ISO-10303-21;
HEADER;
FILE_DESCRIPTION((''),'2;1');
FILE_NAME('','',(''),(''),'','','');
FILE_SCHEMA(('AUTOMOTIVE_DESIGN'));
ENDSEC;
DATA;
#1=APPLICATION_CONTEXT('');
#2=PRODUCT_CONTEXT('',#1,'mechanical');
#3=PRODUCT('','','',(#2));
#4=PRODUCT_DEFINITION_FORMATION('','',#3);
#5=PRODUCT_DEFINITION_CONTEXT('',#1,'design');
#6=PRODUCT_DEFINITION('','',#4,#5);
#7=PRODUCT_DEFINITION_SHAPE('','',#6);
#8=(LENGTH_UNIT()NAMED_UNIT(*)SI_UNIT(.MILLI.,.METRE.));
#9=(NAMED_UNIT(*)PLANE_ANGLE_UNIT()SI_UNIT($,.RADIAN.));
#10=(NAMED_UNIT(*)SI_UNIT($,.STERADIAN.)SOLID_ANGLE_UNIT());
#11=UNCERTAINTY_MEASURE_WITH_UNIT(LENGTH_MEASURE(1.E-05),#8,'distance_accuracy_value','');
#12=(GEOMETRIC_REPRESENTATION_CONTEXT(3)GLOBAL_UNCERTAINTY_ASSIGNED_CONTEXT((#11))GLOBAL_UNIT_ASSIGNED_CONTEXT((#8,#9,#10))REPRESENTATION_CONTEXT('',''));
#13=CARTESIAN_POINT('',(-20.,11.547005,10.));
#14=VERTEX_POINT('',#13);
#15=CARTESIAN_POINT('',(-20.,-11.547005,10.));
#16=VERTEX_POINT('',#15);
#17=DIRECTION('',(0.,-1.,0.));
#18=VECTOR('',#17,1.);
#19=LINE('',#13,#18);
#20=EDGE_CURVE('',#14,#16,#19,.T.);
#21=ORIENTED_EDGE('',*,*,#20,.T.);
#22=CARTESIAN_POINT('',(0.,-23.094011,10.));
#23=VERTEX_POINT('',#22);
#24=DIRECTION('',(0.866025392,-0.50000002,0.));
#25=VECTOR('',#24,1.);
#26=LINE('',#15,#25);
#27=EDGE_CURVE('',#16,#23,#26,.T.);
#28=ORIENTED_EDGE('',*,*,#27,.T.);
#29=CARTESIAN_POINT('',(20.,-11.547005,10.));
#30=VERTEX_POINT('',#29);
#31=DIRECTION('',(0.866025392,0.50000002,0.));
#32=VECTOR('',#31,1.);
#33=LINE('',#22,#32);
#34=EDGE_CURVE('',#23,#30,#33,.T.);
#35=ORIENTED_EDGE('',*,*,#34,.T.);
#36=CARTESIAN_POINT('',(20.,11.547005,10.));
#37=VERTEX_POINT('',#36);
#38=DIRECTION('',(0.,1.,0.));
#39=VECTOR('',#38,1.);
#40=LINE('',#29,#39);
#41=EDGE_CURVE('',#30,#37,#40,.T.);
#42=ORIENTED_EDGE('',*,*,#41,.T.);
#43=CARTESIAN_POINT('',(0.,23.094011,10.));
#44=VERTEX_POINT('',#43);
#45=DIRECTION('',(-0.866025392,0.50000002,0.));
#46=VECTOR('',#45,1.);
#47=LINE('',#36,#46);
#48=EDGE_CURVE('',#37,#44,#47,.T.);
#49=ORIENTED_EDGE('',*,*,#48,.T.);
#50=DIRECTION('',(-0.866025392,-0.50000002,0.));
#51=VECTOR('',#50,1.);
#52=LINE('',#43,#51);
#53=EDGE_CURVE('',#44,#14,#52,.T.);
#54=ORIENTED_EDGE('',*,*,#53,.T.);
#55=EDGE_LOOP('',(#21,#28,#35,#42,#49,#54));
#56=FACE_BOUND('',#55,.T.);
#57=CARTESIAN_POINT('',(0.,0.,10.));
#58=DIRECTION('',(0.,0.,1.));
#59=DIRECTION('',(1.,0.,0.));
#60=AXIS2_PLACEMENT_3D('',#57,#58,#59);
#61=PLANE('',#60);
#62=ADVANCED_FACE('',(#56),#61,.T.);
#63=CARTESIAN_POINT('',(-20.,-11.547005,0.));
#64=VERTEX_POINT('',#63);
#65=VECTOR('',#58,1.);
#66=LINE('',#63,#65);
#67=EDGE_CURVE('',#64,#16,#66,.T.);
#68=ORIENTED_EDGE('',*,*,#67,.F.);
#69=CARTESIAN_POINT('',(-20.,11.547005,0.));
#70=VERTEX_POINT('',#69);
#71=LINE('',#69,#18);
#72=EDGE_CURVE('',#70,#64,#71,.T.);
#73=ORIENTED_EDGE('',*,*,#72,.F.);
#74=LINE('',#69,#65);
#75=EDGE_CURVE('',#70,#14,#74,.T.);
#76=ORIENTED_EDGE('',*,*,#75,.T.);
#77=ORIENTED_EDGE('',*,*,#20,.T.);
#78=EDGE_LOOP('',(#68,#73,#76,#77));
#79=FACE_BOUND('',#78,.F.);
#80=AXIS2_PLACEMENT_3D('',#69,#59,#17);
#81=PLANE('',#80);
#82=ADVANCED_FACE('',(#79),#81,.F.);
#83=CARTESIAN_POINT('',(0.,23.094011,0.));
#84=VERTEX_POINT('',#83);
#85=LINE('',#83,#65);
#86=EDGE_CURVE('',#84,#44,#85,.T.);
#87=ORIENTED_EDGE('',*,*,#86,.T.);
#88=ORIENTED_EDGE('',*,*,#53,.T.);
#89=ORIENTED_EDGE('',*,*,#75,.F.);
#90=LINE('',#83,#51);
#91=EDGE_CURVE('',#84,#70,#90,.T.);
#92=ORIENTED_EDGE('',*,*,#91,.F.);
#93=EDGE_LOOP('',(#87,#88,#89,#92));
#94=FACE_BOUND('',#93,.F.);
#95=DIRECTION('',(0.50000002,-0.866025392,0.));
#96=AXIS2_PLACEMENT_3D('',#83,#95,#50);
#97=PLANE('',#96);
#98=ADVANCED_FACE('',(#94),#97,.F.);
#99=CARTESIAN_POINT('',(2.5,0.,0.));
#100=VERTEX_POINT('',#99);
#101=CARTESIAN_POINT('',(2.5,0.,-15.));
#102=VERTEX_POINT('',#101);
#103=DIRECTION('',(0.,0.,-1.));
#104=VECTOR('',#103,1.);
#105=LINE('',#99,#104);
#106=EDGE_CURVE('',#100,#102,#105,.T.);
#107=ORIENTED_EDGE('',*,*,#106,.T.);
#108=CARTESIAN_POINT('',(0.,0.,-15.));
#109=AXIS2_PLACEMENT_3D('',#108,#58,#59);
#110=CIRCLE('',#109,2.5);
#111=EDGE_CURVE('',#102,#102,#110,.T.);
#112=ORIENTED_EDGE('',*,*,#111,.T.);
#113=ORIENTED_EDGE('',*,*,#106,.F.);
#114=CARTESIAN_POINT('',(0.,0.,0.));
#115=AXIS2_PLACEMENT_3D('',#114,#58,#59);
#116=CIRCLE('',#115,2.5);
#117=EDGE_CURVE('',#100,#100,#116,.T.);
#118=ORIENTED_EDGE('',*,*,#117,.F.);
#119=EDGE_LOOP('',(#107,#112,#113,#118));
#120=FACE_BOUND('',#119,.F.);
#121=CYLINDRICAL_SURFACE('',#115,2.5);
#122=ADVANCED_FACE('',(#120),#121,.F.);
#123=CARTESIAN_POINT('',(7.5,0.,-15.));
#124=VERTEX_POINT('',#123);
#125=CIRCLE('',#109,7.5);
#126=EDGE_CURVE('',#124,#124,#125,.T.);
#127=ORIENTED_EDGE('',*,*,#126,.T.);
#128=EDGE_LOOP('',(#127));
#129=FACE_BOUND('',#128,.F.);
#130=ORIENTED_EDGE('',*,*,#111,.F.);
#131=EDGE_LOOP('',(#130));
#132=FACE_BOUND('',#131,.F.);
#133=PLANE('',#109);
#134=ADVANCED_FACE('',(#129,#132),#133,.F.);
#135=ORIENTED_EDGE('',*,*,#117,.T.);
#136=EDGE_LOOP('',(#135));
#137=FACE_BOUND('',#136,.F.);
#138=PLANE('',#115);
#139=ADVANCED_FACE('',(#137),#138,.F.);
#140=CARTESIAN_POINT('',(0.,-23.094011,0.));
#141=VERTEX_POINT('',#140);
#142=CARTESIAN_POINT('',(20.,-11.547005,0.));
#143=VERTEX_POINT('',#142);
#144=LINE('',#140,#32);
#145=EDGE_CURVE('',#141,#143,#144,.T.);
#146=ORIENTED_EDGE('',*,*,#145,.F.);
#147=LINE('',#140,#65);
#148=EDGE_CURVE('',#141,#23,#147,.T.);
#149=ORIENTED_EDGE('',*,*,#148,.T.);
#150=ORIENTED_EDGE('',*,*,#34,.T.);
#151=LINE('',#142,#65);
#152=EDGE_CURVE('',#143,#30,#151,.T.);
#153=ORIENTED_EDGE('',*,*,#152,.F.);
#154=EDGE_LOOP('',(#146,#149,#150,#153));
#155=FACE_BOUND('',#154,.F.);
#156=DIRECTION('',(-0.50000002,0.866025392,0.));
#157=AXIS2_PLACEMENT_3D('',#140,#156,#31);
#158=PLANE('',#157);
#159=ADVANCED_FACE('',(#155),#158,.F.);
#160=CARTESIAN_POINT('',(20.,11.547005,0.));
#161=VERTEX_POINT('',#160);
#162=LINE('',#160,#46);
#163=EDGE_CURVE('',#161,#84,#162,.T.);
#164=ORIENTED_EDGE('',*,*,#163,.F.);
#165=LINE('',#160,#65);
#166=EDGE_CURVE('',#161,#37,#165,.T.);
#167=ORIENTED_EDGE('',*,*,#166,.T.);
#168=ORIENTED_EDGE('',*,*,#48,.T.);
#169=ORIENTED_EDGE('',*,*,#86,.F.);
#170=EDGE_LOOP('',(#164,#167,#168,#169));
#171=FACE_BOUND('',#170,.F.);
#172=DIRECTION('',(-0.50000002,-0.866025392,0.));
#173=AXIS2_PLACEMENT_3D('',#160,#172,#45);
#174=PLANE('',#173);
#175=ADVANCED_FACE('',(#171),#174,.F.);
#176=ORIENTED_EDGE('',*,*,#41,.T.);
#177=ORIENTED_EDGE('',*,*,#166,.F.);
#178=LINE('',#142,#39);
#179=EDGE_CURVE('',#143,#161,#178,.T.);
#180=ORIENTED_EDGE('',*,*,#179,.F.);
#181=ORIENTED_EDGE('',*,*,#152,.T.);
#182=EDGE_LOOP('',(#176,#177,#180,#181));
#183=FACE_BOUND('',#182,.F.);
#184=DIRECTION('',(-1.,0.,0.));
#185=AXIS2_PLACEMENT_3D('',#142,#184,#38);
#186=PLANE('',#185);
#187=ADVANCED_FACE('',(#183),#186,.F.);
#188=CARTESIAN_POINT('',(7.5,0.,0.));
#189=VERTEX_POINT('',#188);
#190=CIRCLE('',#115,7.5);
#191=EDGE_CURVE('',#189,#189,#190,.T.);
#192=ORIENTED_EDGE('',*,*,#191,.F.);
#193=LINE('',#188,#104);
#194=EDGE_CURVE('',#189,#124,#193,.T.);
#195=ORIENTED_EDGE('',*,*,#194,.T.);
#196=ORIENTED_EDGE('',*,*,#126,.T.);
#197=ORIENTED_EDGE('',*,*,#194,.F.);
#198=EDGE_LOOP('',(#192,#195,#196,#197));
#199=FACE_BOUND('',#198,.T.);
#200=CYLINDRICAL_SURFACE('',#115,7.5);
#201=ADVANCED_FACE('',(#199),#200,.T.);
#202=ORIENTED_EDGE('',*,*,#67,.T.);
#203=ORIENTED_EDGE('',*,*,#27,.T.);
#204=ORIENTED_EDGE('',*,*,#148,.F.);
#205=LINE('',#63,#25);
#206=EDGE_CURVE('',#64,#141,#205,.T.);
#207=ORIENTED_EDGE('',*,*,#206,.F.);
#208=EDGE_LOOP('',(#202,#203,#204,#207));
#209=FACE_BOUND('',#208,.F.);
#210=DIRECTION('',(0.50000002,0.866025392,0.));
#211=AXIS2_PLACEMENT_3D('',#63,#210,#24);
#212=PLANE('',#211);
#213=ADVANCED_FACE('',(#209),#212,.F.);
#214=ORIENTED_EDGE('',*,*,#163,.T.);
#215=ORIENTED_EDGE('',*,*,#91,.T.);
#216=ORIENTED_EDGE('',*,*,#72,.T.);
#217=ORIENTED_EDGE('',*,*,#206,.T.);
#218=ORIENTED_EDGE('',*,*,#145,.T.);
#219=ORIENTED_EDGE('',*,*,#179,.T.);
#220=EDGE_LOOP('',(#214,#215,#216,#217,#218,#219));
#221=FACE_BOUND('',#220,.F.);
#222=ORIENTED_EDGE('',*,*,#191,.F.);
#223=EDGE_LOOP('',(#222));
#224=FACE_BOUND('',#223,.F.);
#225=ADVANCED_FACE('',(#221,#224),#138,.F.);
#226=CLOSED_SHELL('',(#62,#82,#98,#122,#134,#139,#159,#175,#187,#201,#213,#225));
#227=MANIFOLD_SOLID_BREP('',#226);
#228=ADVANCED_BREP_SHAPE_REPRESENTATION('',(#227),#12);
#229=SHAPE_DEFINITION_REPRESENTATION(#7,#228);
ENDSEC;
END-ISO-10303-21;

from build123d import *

# Parameters (mm, degrees)
SKETCH_R     = 7.5
SKETCH_R_2   = 2.5
PAD_DEPTH    = 15
PAD001_DEPTH = 10


with BuildPart() as part:
    # Sketch → Pad (new body)
    with BuildSketch(Plane.XY):
        Circle(SKETCH_R)
        Circle(SKETCH_R_2, mode=Mode.SUBTRACT)
    extrude(amount=-PAD_DEPTH)

    # Sketch001 → Pad001 (join)
    with BuildSketch(Plane.XY):
        Polygon((20, 11.547005), (0, 23.094011), (-20, 11.547005), (-20, -11.547005), (0, -23.094011), (20, -11.547005), align=None)
    extrude(amount=PAD001_DEPTH)


solid = part.part
